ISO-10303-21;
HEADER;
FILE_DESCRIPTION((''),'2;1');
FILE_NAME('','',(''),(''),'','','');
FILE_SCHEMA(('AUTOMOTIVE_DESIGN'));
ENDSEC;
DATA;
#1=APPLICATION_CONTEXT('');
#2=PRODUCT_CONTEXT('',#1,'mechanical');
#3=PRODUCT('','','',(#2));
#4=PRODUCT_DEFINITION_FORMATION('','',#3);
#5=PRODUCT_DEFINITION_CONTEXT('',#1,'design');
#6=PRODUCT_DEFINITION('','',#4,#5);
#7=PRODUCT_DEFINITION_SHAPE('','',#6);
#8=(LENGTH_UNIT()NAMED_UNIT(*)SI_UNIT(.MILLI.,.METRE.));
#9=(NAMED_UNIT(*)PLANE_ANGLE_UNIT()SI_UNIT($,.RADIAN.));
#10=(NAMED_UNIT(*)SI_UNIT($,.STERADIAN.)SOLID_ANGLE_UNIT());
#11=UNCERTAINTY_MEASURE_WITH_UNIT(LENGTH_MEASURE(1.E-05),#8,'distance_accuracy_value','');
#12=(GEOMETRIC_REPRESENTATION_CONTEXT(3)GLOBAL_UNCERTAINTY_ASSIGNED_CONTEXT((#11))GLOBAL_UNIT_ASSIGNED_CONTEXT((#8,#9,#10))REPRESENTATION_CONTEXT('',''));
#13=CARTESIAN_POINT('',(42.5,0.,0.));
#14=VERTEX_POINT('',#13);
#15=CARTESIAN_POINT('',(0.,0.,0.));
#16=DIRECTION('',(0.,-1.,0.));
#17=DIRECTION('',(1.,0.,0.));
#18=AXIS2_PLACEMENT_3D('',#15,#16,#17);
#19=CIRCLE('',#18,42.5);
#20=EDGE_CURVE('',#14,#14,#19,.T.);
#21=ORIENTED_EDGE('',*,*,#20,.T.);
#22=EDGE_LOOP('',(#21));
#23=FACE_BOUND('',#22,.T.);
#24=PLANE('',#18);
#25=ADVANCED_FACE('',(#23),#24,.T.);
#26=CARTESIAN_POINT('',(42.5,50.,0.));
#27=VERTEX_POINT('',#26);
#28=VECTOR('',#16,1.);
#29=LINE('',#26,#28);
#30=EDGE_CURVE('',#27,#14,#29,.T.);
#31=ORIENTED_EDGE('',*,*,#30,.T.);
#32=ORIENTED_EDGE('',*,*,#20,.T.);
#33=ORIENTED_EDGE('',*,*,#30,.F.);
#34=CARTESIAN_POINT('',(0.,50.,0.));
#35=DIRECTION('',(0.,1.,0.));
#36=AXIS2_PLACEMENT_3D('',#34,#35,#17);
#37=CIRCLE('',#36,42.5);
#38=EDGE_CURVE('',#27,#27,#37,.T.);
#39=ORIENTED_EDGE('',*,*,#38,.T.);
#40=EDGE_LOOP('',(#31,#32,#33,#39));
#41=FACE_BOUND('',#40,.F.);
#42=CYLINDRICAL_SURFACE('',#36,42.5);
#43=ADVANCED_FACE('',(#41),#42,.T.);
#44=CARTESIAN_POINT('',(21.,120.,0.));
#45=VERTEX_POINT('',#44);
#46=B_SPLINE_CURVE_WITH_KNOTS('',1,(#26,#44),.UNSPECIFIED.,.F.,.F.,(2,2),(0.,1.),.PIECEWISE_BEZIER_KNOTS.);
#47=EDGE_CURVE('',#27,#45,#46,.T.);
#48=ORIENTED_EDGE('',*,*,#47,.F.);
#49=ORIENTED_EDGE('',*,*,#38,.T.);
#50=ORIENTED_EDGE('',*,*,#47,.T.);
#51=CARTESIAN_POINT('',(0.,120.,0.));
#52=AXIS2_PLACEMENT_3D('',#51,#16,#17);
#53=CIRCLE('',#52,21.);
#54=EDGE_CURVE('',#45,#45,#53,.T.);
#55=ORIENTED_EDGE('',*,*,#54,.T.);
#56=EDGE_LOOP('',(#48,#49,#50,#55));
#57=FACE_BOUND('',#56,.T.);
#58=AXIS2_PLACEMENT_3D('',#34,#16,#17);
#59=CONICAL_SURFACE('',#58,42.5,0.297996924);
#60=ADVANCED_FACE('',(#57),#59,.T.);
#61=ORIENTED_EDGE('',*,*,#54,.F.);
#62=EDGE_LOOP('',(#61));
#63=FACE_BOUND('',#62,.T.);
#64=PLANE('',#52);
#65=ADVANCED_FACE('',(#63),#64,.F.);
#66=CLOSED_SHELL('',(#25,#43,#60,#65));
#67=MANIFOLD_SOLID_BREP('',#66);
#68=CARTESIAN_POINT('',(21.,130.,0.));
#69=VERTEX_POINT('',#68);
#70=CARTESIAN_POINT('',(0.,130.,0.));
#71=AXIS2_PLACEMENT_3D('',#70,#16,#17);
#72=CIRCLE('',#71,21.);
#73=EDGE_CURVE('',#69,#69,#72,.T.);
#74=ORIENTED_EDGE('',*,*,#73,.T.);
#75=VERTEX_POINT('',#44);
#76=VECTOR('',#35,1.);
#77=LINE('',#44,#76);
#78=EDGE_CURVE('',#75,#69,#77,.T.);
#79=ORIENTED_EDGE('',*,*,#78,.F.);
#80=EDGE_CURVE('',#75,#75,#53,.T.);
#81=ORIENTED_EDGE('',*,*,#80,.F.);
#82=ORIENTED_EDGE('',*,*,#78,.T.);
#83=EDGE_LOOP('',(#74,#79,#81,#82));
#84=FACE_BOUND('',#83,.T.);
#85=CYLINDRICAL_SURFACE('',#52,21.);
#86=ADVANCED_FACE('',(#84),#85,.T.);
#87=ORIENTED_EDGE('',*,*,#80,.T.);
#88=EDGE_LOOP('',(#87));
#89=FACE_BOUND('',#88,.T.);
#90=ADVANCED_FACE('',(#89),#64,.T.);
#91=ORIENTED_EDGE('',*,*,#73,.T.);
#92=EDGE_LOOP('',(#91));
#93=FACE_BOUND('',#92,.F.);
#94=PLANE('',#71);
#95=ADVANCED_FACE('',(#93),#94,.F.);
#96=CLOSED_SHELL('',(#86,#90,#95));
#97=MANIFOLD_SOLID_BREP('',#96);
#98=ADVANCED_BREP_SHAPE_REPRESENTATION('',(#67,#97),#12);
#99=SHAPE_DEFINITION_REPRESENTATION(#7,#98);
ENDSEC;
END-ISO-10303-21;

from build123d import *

# Parameters (mm, degrees)
F2_R      = 21
F3_DEPTH  = 10
F0_R      = 42.5
F4_DEPTH  = 50
F4_FACE_R = 42.5
F3_FACE_R = 21
F5_FACE_R = 42.5
F7_DEPTH  = 50


with BuildPart() as f3:
    # F2 (on offset) → F3 (new body)
    with BuildSketch(Plane.XZ.offset(-120)):
        Circle(F2_R)
    extrude(amount=-F3_DEPTH)


with BuildPart() as f4:
    # F0 (on Front) → F4 (new body)
    with BuildSketch(Plane.XZ):
        Circle(F0_R)
    extrude(amount=-F4_DEPTH)


with BuildPart() as f5:
    # F4_face (on face) → F5 section 0
    with BuildSketch(Plane(origin=(0, 50, 0), x_dir=(1, 0, 0), z_dir=(0, 1, 0))):
        Circle(F4_FACE_R)
    # F3_face (on face) → F5 section 1
    with BuildSketch(Plane.XZ.offset(-120)):
        Circle(F3_FACE_R)
    loft()

    # F5_face (on face) → F7 (join)
    with BuildSketch(Plane.XZ.offset(-50)):
        Circle(F5_FACE_R)
    extrude(amount=F7_DEPTH)


solid = Compound([f3.part, f5.part])
